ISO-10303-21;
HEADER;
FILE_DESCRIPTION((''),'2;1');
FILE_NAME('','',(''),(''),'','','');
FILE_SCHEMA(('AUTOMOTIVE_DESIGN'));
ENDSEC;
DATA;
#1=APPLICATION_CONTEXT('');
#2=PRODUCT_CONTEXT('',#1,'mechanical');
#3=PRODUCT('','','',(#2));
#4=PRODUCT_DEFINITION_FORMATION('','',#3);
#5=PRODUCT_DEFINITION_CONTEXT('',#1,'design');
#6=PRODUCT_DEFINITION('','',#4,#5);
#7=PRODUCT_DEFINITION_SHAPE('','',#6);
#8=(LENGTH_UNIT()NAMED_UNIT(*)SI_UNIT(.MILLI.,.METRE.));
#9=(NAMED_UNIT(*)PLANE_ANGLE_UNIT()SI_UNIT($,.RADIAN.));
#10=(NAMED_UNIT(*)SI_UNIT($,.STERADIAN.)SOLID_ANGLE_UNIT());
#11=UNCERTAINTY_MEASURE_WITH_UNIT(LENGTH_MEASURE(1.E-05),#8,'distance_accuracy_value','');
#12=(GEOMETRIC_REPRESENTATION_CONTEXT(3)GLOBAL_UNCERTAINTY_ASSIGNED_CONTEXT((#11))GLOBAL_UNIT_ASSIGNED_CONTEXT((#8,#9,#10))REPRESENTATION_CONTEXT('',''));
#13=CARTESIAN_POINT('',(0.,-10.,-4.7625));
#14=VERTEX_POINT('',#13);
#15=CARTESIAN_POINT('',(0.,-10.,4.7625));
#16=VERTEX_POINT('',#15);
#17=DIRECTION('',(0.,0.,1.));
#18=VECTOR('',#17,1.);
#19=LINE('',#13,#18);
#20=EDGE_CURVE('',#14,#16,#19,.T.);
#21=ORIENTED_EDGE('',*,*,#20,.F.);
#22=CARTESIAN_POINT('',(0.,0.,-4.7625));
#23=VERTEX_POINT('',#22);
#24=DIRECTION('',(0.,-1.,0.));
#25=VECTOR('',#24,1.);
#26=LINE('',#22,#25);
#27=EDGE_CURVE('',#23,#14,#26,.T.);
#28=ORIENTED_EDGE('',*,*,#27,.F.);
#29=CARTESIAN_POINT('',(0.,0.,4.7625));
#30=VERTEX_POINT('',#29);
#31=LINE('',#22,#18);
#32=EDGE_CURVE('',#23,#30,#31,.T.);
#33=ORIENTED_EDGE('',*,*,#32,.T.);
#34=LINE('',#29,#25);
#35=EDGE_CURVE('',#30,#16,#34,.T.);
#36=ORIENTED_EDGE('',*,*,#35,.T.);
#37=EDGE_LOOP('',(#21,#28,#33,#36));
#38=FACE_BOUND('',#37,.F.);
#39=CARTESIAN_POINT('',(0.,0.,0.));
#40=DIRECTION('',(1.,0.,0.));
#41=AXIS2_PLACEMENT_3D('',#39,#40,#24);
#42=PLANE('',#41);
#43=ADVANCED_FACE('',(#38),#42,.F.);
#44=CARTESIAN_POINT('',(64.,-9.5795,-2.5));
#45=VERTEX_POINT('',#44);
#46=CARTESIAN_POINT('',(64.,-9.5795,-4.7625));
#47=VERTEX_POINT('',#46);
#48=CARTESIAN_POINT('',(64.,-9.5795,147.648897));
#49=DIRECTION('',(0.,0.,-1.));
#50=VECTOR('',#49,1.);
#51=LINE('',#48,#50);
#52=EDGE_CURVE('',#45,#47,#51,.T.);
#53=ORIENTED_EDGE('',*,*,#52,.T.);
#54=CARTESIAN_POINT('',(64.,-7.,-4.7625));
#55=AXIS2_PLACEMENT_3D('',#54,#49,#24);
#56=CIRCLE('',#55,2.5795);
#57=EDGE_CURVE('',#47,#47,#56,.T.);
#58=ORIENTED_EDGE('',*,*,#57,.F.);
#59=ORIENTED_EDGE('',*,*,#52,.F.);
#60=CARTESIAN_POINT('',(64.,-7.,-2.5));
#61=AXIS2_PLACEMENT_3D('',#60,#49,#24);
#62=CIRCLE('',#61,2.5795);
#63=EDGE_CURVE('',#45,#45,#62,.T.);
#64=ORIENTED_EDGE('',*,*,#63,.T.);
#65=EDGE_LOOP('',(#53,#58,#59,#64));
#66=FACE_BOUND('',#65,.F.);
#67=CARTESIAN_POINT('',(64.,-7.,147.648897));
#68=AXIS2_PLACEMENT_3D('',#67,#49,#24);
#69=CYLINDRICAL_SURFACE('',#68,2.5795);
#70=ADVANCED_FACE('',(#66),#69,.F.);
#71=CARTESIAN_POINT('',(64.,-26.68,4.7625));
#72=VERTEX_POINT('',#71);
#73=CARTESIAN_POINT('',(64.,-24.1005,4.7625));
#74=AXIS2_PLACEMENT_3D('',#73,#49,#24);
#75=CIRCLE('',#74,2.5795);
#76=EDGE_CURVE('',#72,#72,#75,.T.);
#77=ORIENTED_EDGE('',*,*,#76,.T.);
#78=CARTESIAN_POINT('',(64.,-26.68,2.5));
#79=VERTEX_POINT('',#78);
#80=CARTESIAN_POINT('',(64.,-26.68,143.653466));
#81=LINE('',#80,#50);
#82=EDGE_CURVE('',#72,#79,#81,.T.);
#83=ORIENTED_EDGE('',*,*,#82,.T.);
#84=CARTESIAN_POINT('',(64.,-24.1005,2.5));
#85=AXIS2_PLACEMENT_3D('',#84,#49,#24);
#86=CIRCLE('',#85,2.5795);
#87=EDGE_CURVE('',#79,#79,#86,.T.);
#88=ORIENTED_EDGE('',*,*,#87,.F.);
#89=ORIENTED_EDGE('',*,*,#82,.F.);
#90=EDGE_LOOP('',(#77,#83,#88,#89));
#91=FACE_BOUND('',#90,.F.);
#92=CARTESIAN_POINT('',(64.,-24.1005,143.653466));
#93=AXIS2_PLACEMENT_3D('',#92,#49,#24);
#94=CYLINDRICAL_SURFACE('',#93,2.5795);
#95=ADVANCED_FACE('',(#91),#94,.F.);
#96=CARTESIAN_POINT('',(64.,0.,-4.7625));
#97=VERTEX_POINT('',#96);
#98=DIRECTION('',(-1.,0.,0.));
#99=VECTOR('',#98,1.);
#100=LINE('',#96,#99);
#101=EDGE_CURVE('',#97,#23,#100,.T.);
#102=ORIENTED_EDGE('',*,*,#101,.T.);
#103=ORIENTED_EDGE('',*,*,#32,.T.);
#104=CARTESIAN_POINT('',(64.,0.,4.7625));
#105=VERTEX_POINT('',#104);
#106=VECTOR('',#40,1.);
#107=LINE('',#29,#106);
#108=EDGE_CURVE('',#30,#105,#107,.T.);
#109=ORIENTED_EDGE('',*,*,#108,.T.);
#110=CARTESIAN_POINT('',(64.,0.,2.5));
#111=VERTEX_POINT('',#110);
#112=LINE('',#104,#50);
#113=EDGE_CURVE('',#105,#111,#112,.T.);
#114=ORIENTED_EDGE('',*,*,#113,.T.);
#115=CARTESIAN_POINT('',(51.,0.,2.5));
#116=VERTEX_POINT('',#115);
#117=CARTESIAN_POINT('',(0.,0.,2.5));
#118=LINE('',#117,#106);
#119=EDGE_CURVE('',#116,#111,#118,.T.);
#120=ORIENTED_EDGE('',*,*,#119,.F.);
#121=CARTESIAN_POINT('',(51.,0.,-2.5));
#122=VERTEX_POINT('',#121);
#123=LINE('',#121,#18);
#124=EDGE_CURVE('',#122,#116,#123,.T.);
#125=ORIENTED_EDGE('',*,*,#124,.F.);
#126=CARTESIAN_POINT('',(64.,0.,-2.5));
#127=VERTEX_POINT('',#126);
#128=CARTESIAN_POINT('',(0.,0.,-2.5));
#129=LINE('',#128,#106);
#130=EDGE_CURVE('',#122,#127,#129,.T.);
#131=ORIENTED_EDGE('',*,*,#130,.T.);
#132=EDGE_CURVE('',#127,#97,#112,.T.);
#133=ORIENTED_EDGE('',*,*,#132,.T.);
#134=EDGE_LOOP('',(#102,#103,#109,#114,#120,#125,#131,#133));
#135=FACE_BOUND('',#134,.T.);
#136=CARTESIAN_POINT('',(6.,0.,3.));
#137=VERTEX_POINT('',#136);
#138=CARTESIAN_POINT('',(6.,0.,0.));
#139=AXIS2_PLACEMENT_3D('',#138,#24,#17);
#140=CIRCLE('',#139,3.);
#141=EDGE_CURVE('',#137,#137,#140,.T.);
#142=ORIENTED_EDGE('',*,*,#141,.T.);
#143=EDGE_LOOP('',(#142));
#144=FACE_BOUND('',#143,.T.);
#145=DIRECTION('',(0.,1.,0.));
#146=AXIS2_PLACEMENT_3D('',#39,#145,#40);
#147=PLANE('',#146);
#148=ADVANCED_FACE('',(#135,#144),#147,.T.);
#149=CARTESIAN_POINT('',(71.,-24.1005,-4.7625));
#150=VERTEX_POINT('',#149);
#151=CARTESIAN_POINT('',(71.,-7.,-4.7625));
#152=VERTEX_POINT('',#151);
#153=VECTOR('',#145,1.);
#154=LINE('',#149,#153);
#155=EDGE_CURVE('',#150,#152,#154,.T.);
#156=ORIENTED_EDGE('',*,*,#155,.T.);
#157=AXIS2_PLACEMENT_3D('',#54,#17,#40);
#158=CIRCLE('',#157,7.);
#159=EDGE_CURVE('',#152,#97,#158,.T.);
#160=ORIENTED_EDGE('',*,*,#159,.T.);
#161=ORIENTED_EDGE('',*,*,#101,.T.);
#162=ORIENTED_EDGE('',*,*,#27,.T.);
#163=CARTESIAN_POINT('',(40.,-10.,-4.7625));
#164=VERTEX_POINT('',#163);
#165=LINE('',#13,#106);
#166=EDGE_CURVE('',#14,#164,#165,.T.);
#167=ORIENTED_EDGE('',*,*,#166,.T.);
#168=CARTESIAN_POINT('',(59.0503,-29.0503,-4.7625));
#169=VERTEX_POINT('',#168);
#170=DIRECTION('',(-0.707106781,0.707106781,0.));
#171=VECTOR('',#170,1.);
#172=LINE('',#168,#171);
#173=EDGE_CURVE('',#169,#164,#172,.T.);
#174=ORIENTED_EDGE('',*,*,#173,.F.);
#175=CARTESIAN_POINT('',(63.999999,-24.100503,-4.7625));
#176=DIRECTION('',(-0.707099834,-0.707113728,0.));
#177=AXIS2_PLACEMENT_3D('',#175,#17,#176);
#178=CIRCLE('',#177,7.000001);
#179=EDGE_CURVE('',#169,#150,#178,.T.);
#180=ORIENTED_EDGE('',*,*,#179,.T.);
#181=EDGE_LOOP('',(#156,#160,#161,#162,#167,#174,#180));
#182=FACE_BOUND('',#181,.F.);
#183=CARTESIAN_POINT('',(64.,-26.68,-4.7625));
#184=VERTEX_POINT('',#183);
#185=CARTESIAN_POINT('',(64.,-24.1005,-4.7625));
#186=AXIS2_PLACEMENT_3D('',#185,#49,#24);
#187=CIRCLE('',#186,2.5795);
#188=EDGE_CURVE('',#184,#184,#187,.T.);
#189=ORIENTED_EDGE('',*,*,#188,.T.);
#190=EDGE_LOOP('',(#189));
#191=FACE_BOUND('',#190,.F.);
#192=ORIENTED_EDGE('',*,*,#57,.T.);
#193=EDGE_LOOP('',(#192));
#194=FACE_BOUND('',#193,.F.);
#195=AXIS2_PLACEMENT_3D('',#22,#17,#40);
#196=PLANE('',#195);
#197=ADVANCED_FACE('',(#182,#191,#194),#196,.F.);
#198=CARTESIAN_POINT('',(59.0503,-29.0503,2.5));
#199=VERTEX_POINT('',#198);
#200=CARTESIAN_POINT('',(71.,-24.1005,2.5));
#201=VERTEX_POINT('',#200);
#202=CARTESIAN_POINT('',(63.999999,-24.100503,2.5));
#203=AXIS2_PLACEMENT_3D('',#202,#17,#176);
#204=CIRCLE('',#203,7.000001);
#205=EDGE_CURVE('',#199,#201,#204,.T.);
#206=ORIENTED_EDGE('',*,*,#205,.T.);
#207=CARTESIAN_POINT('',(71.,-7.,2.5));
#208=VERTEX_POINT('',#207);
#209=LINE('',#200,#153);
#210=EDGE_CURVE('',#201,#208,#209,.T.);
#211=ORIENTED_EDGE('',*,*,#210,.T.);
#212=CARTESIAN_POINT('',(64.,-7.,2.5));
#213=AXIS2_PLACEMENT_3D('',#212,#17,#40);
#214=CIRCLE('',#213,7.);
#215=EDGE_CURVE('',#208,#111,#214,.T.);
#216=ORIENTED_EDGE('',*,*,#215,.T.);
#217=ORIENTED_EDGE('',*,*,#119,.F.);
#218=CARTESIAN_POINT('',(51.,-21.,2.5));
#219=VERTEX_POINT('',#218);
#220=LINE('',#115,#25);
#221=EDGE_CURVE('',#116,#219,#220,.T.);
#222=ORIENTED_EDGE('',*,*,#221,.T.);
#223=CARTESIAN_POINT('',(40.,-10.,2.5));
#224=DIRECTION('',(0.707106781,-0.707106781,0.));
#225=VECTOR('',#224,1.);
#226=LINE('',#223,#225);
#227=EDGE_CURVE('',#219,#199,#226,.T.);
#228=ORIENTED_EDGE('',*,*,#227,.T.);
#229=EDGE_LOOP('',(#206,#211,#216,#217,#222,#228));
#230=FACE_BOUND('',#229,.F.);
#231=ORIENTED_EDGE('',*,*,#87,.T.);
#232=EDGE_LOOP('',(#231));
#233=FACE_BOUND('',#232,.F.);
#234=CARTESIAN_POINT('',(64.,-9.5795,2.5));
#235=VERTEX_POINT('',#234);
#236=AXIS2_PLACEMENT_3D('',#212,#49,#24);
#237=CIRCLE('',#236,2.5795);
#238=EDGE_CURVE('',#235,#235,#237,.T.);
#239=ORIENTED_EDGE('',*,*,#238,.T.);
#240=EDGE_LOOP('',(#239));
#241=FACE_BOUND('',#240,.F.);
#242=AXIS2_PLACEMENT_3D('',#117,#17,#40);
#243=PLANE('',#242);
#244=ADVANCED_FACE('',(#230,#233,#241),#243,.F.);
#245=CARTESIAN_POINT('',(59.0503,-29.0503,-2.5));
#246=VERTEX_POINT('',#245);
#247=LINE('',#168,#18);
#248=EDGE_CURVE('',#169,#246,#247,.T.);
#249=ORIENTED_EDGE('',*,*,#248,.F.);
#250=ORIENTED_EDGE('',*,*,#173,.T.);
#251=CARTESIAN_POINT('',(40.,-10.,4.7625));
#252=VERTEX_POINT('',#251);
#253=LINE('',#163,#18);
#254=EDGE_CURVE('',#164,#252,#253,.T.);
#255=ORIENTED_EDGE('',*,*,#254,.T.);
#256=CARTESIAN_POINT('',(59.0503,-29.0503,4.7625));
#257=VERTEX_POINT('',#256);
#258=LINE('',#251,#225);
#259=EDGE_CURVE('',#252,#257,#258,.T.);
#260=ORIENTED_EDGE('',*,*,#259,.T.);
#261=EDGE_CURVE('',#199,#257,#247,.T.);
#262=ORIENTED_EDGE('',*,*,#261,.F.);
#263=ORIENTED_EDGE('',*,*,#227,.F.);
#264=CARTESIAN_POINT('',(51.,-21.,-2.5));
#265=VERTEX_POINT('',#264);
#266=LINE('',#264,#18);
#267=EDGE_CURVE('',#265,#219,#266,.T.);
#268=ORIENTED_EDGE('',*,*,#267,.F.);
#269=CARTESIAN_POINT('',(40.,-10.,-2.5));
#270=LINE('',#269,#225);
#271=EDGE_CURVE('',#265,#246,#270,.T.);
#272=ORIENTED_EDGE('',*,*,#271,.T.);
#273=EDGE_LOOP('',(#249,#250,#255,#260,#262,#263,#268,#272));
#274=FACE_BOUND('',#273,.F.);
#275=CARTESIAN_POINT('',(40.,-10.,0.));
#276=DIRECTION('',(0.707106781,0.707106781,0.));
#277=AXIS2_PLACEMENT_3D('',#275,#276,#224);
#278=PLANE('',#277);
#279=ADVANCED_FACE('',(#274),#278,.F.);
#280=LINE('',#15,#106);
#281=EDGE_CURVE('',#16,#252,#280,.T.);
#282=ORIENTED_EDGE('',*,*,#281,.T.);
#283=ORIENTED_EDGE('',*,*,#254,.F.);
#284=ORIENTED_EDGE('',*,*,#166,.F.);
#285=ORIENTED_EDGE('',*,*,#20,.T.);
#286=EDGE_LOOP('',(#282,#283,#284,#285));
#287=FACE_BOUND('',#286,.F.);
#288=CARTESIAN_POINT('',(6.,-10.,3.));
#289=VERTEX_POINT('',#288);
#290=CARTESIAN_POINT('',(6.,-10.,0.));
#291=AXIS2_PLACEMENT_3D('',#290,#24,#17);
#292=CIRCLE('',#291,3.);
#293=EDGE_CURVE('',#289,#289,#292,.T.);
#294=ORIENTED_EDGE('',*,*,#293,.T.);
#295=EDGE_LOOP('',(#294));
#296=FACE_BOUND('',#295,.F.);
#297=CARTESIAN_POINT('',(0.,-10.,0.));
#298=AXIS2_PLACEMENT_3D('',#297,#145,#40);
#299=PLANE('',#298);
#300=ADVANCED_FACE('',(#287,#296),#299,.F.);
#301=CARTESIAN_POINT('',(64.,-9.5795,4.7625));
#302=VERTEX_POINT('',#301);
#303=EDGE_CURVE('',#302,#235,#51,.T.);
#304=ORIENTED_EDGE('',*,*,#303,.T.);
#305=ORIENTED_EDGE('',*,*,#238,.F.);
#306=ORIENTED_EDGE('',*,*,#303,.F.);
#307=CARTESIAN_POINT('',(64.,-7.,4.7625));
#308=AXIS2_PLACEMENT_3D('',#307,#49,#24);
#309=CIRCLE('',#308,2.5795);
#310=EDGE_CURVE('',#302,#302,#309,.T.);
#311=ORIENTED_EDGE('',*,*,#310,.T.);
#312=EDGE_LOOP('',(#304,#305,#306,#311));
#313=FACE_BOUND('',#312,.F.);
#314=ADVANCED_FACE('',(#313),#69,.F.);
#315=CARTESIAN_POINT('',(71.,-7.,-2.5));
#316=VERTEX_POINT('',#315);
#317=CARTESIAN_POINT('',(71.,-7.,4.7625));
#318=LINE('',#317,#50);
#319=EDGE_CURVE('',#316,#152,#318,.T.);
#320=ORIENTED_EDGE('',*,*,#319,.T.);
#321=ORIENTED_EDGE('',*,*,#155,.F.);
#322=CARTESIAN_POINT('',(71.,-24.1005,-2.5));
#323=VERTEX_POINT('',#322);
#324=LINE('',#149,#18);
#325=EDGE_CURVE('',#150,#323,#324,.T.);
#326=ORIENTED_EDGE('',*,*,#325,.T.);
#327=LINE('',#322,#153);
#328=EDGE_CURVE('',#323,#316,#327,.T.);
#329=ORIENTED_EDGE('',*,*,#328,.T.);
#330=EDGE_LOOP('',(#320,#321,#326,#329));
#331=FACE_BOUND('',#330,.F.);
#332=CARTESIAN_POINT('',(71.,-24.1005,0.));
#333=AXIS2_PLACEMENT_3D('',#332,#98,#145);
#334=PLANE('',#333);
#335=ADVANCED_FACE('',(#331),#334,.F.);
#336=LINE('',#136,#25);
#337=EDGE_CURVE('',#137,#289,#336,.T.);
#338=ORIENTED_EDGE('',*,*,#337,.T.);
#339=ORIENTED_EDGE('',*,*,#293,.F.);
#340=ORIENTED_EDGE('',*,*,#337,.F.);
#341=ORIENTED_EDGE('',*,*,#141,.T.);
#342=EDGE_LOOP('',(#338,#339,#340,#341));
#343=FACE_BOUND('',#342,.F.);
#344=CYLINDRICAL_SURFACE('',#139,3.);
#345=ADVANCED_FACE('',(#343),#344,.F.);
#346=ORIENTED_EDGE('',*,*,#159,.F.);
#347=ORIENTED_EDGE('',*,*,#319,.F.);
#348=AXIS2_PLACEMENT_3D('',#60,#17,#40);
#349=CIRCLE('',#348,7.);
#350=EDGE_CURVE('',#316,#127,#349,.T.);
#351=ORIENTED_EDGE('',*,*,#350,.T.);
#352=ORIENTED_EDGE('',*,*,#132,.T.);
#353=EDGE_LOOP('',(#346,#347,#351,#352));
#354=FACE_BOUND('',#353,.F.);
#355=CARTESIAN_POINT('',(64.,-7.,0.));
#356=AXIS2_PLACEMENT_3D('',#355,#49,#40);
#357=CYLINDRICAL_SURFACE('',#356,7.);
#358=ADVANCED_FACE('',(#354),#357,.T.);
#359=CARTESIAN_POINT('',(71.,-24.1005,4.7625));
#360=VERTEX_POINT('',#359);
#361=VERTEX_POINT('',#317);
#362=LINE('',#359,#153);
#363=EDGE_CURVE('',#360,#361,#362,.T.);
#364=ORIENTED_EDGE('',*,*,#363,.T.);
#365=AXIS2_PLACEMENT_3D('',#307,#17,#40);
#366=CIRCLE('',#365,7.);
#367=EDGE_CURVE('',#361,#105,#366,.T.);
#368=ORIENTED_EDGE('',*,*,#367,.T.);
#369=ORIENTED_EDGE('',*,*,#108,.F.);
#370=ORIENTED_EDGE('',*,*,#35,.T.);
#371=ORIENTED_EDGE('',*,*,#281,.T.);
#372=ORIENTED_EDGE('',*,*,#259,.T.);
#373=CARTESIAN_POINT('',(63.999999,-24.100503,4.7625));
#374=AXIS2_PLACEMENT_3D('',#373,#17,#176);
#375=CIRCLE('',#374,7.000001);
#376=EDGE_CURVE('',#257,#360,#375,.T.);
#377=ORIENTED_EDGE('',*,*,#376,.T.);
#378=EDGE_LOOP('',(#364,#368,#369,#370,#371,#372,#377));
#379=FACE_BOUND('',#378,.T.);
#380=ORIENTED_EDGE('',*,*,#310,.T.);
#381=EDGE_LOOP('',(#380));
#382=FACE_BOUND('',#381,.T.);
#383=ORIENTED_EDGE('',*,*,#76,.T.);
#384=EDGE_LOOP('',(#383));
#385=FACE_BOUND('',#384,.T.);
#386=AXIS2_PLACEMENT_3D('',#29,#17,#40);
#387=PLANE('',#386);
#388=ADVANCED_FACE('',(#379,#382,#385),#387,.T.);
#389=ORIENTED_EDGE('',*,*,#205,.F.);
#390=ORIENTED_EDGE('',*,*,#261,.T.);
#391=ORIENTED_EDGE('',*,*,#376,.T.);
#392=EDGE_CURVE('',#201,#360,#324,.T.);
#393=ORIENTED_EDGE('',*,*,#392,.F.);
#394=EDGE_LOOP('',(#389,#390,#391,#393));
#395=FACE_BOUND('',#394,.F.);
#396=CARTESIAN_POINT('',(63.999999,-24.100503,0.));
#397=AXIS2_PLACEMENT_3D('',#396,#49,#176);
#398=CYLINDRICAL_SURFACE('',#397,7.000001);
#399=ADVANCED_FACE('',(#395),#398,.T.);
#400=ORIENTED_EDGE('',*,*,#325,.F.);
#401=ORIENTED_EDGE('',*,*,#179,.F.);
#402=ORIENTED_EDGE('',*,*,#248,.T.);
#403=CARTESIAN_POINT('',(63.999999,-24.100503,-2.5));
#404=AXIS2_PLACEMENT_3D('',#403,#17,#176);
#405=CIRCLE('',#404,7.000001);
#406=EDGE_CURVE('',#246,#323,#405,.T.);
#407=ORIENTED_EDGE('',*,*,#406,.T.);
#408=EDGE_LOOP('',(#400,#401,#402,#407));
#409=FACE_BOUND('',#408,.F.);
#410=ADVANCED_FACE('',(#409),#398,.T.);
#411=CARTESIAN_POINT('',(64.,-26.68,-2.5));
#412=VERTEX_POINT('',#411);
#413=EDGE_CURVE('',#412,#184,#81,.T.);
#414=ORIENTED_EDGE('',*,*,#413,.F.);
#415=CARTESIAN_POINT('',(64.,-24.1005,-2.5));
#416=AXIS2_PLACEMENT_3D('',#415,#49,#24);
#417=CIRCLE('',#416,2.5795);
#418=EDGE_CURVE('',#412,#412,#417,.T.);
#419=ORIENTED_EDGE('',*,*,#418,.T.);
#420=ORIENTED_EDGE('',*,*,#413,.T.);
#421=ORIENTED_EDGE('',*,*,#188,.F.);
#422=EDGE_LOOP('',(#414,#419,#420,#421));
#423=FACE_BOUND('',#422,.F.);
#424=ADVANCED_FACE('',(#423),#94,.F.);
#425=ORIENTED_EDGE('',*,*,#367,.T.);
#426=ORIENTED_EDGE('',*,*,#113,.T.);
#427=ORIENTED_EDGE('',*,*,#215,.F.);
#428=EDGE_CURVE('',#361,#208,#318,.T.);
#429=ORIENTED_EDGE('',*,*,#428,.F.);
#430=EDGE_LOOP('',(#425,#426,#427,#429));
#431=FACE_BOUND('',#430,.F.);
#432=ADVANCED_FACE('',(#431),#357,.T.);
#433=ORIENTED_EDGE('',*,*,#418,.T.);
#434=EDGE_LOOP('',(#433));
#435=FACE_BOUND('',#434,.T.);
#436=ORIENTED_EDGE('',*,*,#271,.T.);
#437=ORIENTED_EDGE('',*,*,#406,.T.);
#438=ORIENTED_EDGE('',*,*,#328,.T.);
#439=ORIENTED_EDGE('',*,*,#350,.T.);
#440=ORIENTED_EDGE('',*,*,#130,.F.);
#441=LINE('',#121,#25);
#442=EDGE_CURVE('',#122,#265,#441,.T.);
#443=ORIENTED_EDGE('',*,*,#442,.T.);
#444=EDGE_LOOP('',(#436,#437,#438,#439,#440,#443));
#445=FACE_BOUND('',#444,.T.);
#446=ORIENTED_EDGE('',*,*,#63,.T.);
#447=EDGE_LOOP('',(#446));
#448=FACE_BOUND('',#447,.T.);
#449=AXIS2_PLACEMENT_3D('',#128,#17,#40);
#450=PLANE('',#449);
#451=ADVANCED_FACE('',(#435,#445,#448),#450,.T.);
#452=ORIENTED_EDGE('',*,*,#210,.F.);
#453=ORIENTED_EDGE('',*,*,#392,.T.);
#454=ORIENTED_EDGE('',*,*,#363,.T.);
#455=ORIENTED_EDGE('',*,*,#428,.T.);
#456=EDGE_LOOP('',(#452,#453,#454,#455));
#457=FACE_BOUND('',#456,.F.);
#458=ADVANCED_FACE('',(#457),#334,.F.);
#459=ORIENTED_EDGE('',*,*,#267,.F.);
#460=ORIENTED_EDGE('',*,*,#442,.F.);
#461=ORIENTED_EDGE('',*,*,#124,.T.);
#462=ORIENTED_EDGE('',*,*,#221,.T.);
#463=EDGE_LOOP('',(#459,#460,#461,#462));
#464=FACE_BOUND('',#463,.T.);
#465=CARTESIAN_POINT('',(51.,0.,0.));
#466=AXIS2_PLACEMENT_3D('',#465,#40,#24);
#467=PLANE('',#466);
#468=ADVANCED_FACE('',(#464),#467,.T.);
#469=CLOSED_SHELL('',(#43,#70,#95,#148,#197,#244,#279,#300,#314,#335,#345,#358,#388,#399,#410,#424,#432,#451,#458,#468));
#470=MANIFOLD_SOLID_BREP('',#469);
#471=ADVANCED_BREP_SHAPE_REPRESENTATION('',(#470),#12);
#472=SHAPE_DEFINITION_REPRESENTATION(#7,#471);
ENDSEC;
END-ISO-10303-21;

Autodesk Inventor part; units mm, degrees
ref_plane "YZ Plane" through (0, 0, 0) normal (1, 0, 0) x (0, 1, 0)
ref_plane "XZ Plane" through (0, 0, 0) normal (0, 1, 0) x (-1, 0, 0)
ref_plane "XY Plane" through (0, 0, 0) normal (0, 0, 1) x (1, 0, 0)
sketch "Sketch1" plane through (0, 0, 0) normal (0, 0, 1) x (1, 0, 0)
  line L0 (0, 0) -> (64, 0)
  arc A0 (71, -7) -> (64, 0) centre (64, -7) ccw
  line L1 (64, 0) -> (64, -7) construction
  line L2 (71, -7) -> (64, -7) construction
  line L3 (0, 0) -> (0, -10)
  line L4 (0, -10) -> (40, -10)
  line L5 (40, -10) -> (59.0503, -29.0503)
  line L6 (71, -24.1005) -> (71, -7)
  arc A1 (59.0503, -29.0503) -> (71, -24.1005) centre (64, -24.1005) ccw
  line L7 (51, 0) -> (51, -21)
  dimension "d0" = 64
  dimension "d1" = 7
  dimension "d2" = 90
  dimension "d3" = 10
  dimension "d4" = 40
  dimension "d5" = 90
  dimension "d6" = 135
  dimension "d7" = 7
  dimension "d8" = 20
extrude "Extrusion1" add sketch "Sketch1" along normal mid plane 9.525
extrude "Extrusion2" cut sketch "Sketch1" along normal mid plane 5 contours L0 A0 L6 A1 L5 L7
hole "Hole1" at (64, -7, 0) at (64, -24.1005, 0) direction (0, 0, -1) diameter 5.159 end through all both
sketch "Sketch2" plane through (0, 0, -4.7625) normal (0, 1, 0) x (1, 0, 0)
  line L0 (64, -7.2625) -> (51, -7.2625) projected
  line L1 (51, -7.2625) -> (51, -2.2625) projected
  line L2 (51, -2.2625) -> (64, -2.2625) projected
  line L3 (64, -2.2625) -> (64, 0) projected
  line L4 (0, 0) -> (64, 0) projected
  line L5 (0, -9.525) -> (0, 0) projected
  line L6 (64, -9.525) -> (0, -9.525) projected
  line L7 (64, -9.525) -> (64, -7.2625) projected
  point P0 (0, -4.7625)
  point P1 (6, -4.7625)
  point P2 (0, -4.7625)
  dimension "d20" = 6
hole "Hole2" at (6, 0, 0) direction (0, -1, 0) diameter 6 end through all
thread "Thread1" size "M6x1" class "6H" standard "ANSI Metric M Profile" full length
equation "\"d7\" = d1"
properties part number "newfrontpart"
